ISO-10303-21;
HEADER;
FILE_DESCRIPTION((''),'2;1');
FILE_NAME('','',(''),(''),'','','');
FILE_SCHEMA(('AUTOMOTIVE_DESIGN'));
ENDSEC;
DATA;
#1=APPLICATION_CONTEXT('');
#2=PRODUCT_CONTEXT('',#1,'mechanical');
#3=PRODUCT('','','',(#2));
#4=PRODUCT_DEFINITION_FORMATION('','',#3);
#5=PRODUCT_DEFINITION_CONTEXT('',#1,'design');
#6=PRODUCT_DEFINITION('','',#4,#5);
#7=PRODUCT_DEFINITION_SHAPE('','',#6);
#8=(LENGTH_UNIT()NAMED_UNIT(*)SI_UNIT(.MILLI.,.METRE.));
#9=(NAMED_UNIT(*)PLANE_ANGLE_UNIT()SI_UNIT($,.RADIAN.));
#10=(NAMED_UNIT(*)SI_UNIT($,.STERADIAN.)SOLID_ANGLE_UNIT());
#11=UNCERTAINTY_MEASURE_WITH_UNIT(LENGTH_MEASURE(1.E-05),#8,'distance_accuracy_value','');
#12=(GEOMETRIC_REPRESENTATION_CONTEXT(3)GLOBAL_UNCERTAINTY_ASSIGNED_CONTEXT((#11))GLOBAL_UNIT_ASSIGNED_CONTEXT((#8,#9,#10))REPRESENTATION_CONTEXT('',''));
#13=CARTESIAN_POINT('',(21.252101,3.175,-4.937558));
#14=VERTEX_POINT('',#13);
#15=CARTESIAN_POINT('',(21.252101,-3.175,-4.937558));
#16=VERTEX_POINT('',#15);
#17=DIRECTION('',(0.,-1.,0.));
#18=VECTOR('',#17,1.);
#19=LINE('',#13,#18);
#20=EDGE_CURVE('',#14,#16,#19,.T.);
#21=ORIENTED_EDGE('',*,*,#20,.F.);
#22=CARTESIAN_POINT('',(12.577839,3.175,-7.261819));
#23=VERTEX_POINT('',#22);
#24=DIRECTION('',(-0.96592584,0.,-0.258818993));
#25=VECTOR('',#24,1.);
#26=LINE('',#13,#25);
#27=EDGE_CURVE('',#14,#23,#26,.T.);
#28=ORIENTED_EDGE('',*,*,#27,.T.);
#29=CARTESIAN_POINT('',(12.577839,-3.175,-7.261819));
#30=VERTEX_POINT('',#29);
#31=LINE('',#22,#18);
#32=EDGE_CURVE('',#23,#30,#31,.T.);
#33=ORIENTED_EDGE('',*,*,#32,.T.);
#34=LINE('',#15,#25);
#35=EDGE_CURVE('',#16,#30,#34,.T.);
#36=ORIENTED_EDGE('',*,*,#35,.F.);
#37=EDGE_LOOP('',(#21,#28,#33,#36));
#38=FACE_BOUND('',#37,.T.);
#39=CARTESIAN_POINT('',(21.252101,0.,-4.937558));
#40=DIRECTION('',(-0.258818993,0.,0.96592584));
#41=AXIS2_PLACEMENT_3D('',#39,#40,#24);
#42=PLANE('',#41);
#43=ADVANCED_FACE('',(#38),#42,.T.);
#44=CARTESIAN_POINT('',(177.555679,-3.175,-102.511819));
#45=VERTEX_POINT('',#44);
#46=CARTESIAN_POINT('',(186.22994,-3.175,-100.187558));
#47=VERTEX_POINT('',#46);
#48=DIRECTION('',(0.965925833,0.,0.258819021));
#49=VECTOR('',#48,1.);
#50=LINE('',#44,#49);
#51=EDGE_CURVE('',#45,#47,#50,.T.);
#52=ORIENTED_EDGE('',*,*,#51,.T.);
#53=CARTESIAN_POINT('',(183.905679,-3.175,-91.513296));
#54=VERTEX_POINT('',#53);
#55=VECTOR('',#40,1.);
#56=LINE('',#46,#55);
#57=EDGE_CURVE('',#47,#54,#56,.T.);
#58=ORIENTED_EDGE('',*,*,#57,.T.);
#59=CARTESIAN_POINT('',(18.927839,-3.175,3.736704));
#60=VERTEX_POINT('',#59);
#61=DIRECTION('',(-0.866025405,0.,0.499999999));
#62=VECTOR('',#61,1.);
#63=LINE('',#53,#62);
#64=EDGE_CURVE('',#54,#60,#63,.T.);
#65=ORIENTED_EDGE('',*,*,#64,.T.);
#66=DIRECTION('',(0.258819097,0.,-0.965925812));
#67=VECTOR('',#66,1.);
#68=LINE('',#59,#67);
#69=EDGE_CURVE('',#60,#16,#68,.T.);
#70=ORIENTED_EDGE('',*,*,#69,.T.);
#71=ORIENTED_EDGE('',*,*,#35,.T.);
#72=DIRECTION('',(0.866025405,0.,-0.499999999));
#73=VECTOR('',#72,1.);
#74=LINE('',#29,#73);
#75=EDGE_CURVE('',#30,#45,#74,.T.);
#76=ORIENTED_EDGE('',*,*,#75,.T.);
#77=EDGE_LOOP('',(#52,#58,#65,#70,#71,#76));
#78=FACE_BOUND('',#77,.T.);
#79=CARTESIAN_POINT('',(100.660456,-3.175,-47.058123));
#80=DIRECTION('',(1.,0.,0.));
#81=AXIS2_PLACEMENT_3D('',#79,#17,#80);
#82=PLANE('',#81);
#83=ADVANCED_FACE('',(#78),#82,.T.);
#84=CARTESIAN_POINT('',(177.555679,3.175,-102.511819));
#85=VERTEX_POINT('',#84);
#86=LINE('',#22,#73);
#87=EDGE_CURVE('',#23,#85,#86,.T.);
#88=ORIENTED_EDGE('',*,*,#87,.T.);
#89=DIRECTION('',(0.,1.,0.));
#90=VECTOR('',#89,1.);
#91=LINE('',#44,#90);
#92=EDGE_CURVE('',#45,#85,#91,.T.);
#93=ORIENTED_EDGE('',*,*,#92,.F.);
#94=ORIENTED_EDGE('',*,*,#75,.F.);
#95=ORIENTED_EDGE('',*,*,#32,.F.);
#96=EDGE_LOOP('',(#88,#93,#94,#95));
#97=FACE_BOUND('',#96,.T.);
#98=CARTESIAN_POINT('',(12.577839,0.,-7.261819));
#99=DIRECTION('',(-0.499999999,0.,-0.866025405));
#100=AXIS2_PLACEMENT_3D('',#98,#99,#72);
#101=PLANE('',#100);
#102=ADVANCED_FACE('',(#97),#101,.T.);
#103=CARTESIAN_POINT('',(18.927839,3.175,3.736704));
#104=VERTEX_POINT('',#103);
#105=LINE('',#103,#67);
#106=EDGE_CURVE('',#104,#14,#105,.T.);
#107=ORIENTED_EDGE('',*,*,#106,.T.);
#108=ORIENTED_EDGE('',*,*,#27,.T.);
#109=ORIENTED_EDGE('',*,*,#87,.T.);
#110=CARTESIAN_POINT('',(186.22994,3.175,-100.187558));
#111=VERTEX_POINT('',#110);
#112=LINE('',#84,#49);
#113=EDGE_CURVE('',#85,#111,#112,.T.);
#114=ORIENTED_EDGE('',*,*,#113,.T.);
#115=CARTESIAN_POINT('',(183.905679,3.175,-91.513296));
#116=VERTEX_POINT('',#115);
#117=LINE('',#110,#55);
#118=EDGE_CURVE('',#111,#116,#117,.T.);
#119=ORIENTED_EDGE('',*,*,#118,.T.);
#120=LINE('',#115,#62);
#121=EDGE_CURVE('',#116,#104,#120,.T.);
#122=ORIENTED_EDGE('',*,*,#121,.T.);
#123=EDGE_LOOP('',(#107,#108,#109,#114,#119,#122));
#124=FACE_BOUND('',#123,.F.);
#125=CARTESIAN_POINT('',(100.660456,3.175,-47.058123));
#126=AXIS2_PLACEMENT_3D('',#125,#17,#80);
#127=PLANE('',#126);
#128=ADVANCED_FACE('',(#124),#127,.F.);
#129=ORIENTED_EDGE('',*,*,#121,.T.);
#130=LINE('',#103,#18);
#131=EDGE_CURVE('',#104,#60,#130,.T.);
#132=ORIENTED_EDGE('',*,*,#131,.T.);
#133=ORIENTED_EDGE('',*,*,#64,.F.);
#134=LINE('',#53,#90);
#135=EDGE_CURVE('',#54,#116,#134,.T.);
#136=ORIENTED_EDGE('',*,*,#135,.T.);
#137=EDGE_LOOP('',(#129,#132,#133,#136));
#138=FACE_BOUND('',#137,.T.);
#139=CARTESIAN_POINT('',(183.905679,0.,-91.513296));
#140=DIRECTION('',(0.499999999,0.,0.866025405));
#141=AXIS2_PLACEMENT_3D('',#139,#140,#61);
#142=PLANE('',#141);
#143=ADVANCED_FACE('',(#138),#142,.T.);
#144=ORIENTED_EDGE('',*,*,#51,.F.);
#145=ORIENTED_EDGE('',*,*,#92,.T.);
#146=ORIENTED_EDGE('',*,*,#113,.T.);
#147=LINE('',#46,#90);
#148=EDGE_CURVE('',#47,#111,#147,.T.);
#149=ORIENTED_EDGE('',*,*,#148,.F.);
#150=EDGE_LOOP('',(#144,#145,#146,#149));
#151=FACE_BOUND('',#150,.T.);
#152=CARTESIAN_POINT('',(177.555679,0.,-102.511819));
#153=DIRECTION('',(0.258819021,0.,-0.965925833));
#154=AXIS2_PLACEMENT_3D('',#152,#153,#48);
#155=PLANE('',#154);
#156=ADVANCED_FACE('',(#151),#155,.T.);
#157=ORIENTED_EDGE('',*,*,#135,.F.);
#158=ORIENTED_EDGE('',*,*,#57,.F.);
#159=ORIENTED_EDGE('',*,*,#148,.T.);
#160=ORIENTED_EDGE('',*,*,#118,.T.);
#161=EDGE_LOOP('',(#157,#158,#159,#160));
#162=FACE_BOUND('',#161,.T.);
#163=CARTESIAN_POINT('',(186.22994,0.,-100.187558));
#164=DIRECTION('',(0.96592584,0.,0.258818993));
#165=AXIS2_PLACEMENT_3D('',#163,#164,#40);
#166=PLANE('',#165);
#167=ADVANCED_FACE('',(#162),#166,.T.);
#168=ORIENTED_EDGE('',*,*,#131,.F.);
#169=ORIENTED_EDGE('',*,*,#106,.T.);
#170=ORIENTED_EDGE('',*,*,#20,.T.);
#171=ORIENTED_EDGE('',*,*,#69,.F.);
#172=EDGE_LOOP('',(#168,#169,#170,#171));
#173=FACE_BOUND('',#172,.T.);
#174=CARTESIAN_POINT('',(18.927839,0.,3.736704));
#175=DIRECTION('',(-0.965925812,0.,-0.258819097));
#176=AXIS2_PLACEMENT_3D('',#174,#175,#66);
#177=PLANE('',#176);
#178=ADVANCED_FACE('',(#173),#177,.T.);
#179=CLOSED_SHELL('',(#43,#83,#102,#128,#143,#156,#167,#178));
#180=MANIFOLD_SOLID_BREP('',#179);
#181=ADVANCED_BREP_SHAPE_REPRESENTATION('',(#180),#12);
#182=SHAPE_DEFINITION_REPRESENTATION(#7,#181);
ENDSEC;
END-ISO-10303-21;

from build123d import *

# Parameters (mm, degrees)
F1_DEPTH = 3.175


with BuildPart() as f1:
    # F0 (on Front) → F1 (new body, symmetric)
    with BuildSketch(Plane.XZ):
        Polygon((21.252101, -4.937558), (180.730679, -97.012558), (183.905679, -91.513296), (18.927839, 3.736704), align=None)
        Polygon((12.577839, -7.261819), (177.555679, -102.511819), (180.730679, -97.012558), (21.252101, -4.937558), align=None)
        Polygon((180.730679, -97.012558), (186.22994, -100.187558), (183.905679, -91.513296), align=None)
        Polygon((180.730679, -97.012558), (177.555679, -102.511819), (186.22994, -100.187558), align=None)
    extrude(amount=F1_DEPTH, both=True)


solid = f1.part
